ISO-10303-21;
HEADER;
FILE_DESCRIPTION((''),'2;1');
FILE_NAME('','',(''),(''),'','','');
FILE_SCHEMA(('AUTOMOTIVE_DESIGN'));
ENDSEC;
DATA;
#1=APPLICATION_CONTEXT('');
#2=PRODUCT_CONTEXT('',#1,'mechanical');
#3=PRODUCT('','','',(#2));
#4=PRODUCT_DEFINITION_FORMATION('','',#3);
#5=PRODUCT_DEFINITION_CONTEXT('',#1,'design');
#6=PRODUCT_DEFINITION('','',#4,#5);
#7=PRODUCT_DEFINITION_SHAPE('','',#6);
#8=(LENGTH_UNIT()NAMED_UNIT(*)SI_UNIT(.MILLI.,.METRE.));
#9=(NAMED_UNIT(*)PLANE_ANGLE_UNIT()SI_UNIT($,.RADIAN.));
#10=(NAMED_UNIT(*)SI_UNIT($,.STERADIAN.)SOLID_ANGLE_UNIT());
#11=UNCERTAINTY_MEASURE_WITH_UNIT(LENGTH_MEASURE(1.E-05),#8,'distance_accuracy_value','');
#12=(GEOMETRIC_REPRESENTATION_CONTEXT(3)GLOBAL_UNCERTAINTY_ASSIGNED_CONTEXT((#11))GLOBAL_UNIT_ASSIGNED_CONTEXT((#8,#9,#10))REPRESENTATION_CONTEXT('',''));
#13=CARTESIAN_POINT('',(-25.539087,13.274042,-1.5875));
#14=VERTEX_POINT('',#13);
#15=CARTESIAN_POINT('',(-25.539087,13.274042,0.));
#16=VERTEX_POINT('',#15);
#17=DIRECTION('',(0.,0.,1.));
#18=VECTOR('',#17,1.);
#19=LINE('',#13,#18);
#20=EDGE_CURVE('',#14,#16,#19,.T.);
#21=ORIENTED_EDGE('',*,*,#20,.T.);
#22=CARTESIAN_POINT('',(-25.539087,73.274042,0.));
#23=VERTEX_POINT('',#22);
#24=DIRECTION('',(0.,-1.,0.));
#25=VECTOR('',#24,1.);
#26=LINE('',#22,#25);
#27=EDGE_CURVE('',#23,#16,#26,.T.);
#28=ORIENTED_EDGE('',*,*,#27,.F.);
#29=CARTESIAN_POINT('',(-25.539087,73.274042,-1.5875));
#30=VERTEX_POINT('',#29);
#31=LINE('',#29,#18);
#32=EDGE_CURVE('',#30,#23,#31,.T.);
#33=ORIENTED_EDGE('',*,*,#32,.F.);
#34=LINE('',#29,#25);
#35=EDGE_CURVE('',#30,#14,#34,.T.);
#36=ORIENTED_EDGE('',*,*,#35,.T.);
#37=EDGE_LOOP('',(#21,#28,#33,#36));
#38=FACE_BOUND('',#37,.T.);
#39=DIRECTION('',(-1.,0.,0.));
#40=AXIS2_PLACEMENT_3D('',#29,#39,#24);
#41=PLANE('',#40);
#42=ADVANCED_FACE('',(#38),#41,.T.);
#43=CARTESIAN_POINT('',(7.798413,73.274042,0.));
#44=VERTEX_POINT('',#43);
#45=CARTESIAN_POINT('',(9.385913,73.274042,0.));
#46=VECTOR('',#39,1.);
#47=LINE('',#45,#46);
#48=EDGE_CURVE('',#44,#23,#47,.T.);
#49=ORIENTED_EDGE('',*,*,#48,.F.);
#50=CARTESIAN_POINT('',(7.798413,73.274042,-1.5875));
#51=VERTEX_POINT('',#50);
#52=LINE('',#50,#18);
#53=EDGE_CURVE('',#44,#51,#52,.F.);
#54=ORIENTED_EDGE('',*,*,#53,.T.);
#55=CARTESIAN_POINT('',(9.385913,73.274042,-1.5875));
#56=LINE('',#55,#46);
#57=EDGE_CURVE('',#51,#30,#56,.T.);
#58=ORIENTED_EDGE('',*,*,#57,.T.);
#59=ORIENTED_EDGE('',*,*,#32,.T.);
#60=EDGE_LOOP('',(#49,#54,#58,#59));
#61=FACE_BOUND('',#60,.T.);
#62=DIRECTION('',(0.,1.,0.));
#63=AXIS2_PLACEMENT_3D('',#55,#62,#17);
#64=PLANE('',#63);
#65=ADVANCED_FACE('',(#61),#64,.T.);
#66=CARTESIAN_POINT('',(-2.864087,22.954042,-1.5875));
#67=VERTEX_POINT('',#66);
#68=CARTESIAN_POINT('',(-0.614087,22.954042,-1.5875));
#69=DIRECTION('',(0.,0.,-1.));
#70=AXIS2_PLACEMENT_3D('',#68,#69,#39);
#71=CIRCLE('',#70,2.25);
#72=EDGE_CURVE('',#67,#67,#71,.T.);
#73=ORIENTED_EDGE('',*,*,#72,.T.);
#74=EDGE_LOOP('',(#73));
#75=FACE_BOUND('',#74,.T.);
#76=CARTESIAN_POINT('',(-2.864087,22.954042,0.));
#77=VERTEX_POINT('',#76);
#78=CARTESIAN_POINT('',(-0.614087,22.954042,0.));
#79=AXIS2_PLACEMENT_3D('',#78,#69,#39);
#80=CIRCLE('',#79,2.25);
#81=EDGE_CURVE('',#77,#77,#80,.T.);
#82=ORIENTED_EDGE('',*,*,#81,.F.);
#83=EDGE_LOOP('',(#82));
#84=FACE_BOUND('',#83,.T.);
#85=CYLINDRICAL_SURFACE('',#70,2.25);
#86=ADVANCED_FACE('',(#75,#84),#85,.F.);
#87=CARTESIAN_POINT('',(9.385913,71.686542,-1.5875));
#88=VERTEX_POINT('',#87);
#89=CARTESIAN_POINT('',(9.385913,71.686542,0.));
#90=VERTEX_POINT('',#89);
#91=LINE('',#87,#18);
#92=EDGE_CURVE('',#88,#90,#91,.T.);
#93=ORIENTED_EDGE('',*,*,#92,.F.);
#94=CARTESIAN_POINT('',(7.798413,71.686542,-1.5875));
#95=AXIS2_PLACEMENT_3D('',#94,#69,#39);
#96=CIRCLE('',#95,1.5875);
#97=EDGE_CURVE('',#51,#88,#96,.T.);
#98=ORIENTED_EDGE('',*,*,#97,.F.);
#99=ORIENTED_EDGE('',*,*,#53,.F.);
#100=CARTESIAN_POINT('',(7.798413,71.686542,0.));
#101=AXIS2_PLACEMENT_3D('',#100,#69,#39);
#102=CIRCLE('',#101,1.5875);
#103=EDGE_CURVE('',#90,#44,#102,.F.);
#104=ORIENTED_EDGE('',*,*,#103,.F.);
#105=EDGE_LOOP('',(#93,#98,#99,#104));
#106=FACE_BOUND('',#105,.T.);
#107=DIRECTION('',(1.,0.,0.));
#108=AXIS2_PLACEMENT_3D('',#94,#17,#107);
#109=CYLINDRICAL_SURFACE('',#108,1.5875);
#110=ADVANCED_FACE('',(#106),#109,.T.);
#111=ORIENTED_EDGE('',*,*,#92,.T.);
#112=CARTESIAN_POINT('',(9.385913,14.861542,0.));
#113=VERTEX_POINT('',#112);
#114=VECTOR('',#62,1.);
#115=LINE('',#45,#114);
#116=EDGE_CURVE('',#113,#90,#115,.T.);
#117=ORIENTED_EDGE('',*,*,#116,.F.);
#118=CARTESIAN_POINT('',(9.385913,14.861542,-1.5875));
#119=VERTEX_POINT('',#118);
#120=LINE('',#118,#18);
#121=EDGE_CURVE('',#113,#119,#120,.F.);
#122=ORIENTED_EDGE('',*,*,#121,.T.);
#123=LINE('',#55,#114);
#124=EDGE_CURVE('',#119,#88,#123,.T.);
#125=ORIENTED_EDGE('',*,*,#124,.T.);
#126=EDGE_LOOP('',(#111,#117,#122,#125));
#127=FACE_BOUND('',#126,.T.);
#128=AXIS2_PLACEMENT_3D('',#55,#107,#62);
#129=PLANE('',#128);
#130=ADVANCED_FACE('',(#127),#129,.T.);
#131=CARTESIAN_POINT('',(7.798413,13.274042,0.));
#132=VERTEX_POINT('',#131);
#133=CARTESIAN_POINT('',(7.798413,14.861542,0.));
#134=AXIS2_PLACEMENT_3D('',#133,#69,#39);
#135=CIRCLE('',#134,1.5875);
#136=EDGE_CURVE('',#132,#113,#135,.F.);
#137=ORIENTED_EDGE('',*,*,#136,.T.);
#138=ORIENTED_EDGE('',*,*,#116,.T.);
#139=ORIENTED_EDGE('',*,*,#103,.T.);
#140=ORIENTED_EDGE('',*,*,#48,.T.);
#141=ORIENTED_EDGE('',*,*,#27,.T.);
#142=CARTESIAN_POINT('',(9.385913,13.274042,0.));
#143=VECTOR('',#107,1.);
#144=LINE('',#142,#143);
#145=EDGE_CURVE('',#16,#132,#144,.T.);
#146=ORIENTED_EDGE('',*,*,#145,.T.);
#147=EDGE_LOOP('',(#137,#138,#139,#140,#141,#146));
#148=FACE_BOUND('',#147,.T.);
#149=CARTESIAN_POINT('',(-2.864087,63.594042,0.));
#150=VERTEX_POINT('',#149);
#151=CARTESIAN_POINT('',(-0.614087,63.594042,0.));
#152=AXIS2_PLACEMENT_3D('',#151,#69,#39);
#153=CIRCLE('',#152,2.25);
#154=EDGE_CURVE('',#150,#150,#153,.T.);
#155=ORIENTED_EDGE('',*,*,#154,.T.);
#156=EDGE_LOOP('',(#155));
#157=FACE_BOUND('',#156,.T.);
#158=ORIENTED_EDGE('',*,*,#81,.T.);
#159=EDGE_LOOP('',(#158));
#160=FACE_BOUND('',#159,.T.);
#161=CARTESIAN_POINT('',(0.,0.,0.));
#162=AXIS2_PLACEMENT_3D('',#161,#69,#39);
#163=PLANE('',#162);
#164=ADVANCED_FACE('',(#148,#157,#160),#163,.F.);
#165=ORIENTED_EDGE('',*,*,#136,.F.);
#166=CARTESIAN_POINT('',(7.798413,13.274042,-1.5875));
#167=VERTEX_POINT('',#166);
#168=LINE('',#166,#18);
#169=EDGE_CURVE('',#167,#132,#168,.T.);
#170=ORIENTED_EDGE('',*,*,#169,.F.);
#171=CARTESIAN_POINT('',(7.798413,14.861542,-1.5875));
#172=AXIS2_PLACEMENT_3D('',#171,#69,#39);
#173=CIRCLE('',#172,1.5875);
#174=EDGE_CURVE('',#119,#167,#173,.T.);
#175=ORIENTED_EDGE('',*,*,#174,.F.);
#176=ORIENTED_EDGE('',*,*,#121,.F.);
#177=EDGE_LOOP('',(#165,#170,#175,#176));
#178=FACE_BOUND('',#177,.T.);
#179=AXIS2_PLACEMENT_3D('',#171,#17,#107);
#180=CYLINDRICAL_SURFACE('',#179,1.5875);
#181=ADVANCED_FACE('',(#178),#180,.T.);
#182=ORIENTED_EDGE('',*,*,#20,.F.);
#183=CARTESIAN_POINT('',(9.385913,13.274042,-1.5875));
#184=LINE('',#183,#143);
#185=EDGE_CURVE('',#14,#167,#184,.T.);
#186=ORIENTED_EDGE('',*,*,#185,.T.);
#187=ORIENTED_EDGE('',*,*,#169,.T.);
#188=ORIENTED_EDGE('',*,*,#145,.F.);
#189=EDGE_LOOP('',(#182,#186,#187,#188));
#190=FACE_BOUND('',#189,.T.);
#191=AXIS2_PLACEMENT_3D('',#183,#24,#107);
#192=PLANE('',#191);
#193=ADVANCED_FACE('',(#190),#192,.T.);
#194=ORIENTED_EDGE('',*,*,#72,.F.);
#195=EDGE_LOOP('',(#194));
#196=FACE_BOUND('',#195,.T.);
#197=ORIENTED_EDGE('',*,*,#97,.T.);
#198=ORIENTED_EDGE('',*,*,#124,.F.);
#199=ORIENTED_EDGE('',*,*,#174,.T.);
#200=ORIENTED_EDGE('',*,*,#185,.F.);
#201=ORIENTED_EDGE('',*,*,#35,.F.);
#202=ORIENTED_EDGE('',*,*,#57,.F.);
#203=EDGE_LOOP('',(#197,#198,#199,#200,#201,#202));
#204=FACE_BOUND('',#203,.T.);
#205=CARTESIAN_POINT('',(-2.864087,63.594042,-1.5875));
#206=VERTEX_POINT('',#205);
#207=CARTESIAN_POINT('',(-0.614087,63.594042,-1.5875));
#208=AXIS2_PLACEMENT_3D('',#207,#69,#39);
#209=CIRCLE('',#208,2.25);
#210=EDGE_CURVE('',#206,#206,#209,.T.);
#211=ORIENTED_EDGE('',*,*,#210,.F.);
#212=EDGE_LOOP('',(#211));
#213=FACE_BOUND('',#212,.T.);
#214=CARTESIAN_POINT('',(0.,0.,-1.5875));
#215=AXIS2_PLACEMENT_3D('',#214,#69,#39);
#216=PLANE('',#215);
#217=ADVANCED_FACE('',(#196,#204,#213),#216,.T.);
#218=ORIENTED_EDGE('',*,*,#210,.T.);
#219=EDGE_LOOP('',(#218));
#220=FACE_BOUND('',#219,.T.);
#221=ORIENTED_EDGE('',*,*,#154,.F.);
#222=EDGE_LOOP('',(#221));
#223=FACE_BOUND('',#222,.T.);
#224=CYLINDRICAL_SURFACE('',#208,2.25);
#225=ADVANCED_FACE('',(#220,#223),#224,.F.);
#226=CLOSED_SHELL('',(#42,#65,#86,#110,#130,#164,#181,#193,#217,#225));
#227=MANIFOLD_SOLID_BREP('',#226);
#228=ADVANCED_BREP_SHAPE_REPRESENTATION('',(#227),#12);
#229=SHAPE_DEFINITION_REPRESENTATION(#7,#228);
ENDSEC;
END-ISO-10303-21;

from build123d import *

# Parameters (mm, degrees)
SKETCH1_W            = 34.925
SKETCH1_H            = 60
BOSS_EXTRUDE1_DEPTH  = 1.5875
M4_CLEARANCE_HOLE1_D = 4.5
FILLET1_R            = 1.5875


with BuildPart() as part:
    # Sketch1 → Boss-Extrude1 (new body)
    with BuildSketch(Plane.XY):
        with Locations((-8.076586607, 43.274042014)):
            Rectangle(SKETCH1_W, SKETCH1_H)
    extrude(amount=-BOSS_EXTRUDE1_DEPTH)

    # M4 Clearance Hole1 (through all)
    with Locations(Plane(origin=(0, 0, -1.5875), x_dir=(-1, 0, 0), z_dir=(0, 0, -1))):
        with Locations((0.614086607, 63.594042014), (0.614086607, 22.954042014)):
            Hole(M4_CLEARANCE_HOLE1_D / 2)

    # Fillet1
    fillet1_edges = [part.edges().sort_by_distance(p)[0] for p in [
        (9.385913393, 13.274042014, -0.79375),
        (9.385913393, 73.274042014, -0.79375),
    ]]
    fillet(fillet1_edges, radius=FILLET1_R)


solid = part.part
